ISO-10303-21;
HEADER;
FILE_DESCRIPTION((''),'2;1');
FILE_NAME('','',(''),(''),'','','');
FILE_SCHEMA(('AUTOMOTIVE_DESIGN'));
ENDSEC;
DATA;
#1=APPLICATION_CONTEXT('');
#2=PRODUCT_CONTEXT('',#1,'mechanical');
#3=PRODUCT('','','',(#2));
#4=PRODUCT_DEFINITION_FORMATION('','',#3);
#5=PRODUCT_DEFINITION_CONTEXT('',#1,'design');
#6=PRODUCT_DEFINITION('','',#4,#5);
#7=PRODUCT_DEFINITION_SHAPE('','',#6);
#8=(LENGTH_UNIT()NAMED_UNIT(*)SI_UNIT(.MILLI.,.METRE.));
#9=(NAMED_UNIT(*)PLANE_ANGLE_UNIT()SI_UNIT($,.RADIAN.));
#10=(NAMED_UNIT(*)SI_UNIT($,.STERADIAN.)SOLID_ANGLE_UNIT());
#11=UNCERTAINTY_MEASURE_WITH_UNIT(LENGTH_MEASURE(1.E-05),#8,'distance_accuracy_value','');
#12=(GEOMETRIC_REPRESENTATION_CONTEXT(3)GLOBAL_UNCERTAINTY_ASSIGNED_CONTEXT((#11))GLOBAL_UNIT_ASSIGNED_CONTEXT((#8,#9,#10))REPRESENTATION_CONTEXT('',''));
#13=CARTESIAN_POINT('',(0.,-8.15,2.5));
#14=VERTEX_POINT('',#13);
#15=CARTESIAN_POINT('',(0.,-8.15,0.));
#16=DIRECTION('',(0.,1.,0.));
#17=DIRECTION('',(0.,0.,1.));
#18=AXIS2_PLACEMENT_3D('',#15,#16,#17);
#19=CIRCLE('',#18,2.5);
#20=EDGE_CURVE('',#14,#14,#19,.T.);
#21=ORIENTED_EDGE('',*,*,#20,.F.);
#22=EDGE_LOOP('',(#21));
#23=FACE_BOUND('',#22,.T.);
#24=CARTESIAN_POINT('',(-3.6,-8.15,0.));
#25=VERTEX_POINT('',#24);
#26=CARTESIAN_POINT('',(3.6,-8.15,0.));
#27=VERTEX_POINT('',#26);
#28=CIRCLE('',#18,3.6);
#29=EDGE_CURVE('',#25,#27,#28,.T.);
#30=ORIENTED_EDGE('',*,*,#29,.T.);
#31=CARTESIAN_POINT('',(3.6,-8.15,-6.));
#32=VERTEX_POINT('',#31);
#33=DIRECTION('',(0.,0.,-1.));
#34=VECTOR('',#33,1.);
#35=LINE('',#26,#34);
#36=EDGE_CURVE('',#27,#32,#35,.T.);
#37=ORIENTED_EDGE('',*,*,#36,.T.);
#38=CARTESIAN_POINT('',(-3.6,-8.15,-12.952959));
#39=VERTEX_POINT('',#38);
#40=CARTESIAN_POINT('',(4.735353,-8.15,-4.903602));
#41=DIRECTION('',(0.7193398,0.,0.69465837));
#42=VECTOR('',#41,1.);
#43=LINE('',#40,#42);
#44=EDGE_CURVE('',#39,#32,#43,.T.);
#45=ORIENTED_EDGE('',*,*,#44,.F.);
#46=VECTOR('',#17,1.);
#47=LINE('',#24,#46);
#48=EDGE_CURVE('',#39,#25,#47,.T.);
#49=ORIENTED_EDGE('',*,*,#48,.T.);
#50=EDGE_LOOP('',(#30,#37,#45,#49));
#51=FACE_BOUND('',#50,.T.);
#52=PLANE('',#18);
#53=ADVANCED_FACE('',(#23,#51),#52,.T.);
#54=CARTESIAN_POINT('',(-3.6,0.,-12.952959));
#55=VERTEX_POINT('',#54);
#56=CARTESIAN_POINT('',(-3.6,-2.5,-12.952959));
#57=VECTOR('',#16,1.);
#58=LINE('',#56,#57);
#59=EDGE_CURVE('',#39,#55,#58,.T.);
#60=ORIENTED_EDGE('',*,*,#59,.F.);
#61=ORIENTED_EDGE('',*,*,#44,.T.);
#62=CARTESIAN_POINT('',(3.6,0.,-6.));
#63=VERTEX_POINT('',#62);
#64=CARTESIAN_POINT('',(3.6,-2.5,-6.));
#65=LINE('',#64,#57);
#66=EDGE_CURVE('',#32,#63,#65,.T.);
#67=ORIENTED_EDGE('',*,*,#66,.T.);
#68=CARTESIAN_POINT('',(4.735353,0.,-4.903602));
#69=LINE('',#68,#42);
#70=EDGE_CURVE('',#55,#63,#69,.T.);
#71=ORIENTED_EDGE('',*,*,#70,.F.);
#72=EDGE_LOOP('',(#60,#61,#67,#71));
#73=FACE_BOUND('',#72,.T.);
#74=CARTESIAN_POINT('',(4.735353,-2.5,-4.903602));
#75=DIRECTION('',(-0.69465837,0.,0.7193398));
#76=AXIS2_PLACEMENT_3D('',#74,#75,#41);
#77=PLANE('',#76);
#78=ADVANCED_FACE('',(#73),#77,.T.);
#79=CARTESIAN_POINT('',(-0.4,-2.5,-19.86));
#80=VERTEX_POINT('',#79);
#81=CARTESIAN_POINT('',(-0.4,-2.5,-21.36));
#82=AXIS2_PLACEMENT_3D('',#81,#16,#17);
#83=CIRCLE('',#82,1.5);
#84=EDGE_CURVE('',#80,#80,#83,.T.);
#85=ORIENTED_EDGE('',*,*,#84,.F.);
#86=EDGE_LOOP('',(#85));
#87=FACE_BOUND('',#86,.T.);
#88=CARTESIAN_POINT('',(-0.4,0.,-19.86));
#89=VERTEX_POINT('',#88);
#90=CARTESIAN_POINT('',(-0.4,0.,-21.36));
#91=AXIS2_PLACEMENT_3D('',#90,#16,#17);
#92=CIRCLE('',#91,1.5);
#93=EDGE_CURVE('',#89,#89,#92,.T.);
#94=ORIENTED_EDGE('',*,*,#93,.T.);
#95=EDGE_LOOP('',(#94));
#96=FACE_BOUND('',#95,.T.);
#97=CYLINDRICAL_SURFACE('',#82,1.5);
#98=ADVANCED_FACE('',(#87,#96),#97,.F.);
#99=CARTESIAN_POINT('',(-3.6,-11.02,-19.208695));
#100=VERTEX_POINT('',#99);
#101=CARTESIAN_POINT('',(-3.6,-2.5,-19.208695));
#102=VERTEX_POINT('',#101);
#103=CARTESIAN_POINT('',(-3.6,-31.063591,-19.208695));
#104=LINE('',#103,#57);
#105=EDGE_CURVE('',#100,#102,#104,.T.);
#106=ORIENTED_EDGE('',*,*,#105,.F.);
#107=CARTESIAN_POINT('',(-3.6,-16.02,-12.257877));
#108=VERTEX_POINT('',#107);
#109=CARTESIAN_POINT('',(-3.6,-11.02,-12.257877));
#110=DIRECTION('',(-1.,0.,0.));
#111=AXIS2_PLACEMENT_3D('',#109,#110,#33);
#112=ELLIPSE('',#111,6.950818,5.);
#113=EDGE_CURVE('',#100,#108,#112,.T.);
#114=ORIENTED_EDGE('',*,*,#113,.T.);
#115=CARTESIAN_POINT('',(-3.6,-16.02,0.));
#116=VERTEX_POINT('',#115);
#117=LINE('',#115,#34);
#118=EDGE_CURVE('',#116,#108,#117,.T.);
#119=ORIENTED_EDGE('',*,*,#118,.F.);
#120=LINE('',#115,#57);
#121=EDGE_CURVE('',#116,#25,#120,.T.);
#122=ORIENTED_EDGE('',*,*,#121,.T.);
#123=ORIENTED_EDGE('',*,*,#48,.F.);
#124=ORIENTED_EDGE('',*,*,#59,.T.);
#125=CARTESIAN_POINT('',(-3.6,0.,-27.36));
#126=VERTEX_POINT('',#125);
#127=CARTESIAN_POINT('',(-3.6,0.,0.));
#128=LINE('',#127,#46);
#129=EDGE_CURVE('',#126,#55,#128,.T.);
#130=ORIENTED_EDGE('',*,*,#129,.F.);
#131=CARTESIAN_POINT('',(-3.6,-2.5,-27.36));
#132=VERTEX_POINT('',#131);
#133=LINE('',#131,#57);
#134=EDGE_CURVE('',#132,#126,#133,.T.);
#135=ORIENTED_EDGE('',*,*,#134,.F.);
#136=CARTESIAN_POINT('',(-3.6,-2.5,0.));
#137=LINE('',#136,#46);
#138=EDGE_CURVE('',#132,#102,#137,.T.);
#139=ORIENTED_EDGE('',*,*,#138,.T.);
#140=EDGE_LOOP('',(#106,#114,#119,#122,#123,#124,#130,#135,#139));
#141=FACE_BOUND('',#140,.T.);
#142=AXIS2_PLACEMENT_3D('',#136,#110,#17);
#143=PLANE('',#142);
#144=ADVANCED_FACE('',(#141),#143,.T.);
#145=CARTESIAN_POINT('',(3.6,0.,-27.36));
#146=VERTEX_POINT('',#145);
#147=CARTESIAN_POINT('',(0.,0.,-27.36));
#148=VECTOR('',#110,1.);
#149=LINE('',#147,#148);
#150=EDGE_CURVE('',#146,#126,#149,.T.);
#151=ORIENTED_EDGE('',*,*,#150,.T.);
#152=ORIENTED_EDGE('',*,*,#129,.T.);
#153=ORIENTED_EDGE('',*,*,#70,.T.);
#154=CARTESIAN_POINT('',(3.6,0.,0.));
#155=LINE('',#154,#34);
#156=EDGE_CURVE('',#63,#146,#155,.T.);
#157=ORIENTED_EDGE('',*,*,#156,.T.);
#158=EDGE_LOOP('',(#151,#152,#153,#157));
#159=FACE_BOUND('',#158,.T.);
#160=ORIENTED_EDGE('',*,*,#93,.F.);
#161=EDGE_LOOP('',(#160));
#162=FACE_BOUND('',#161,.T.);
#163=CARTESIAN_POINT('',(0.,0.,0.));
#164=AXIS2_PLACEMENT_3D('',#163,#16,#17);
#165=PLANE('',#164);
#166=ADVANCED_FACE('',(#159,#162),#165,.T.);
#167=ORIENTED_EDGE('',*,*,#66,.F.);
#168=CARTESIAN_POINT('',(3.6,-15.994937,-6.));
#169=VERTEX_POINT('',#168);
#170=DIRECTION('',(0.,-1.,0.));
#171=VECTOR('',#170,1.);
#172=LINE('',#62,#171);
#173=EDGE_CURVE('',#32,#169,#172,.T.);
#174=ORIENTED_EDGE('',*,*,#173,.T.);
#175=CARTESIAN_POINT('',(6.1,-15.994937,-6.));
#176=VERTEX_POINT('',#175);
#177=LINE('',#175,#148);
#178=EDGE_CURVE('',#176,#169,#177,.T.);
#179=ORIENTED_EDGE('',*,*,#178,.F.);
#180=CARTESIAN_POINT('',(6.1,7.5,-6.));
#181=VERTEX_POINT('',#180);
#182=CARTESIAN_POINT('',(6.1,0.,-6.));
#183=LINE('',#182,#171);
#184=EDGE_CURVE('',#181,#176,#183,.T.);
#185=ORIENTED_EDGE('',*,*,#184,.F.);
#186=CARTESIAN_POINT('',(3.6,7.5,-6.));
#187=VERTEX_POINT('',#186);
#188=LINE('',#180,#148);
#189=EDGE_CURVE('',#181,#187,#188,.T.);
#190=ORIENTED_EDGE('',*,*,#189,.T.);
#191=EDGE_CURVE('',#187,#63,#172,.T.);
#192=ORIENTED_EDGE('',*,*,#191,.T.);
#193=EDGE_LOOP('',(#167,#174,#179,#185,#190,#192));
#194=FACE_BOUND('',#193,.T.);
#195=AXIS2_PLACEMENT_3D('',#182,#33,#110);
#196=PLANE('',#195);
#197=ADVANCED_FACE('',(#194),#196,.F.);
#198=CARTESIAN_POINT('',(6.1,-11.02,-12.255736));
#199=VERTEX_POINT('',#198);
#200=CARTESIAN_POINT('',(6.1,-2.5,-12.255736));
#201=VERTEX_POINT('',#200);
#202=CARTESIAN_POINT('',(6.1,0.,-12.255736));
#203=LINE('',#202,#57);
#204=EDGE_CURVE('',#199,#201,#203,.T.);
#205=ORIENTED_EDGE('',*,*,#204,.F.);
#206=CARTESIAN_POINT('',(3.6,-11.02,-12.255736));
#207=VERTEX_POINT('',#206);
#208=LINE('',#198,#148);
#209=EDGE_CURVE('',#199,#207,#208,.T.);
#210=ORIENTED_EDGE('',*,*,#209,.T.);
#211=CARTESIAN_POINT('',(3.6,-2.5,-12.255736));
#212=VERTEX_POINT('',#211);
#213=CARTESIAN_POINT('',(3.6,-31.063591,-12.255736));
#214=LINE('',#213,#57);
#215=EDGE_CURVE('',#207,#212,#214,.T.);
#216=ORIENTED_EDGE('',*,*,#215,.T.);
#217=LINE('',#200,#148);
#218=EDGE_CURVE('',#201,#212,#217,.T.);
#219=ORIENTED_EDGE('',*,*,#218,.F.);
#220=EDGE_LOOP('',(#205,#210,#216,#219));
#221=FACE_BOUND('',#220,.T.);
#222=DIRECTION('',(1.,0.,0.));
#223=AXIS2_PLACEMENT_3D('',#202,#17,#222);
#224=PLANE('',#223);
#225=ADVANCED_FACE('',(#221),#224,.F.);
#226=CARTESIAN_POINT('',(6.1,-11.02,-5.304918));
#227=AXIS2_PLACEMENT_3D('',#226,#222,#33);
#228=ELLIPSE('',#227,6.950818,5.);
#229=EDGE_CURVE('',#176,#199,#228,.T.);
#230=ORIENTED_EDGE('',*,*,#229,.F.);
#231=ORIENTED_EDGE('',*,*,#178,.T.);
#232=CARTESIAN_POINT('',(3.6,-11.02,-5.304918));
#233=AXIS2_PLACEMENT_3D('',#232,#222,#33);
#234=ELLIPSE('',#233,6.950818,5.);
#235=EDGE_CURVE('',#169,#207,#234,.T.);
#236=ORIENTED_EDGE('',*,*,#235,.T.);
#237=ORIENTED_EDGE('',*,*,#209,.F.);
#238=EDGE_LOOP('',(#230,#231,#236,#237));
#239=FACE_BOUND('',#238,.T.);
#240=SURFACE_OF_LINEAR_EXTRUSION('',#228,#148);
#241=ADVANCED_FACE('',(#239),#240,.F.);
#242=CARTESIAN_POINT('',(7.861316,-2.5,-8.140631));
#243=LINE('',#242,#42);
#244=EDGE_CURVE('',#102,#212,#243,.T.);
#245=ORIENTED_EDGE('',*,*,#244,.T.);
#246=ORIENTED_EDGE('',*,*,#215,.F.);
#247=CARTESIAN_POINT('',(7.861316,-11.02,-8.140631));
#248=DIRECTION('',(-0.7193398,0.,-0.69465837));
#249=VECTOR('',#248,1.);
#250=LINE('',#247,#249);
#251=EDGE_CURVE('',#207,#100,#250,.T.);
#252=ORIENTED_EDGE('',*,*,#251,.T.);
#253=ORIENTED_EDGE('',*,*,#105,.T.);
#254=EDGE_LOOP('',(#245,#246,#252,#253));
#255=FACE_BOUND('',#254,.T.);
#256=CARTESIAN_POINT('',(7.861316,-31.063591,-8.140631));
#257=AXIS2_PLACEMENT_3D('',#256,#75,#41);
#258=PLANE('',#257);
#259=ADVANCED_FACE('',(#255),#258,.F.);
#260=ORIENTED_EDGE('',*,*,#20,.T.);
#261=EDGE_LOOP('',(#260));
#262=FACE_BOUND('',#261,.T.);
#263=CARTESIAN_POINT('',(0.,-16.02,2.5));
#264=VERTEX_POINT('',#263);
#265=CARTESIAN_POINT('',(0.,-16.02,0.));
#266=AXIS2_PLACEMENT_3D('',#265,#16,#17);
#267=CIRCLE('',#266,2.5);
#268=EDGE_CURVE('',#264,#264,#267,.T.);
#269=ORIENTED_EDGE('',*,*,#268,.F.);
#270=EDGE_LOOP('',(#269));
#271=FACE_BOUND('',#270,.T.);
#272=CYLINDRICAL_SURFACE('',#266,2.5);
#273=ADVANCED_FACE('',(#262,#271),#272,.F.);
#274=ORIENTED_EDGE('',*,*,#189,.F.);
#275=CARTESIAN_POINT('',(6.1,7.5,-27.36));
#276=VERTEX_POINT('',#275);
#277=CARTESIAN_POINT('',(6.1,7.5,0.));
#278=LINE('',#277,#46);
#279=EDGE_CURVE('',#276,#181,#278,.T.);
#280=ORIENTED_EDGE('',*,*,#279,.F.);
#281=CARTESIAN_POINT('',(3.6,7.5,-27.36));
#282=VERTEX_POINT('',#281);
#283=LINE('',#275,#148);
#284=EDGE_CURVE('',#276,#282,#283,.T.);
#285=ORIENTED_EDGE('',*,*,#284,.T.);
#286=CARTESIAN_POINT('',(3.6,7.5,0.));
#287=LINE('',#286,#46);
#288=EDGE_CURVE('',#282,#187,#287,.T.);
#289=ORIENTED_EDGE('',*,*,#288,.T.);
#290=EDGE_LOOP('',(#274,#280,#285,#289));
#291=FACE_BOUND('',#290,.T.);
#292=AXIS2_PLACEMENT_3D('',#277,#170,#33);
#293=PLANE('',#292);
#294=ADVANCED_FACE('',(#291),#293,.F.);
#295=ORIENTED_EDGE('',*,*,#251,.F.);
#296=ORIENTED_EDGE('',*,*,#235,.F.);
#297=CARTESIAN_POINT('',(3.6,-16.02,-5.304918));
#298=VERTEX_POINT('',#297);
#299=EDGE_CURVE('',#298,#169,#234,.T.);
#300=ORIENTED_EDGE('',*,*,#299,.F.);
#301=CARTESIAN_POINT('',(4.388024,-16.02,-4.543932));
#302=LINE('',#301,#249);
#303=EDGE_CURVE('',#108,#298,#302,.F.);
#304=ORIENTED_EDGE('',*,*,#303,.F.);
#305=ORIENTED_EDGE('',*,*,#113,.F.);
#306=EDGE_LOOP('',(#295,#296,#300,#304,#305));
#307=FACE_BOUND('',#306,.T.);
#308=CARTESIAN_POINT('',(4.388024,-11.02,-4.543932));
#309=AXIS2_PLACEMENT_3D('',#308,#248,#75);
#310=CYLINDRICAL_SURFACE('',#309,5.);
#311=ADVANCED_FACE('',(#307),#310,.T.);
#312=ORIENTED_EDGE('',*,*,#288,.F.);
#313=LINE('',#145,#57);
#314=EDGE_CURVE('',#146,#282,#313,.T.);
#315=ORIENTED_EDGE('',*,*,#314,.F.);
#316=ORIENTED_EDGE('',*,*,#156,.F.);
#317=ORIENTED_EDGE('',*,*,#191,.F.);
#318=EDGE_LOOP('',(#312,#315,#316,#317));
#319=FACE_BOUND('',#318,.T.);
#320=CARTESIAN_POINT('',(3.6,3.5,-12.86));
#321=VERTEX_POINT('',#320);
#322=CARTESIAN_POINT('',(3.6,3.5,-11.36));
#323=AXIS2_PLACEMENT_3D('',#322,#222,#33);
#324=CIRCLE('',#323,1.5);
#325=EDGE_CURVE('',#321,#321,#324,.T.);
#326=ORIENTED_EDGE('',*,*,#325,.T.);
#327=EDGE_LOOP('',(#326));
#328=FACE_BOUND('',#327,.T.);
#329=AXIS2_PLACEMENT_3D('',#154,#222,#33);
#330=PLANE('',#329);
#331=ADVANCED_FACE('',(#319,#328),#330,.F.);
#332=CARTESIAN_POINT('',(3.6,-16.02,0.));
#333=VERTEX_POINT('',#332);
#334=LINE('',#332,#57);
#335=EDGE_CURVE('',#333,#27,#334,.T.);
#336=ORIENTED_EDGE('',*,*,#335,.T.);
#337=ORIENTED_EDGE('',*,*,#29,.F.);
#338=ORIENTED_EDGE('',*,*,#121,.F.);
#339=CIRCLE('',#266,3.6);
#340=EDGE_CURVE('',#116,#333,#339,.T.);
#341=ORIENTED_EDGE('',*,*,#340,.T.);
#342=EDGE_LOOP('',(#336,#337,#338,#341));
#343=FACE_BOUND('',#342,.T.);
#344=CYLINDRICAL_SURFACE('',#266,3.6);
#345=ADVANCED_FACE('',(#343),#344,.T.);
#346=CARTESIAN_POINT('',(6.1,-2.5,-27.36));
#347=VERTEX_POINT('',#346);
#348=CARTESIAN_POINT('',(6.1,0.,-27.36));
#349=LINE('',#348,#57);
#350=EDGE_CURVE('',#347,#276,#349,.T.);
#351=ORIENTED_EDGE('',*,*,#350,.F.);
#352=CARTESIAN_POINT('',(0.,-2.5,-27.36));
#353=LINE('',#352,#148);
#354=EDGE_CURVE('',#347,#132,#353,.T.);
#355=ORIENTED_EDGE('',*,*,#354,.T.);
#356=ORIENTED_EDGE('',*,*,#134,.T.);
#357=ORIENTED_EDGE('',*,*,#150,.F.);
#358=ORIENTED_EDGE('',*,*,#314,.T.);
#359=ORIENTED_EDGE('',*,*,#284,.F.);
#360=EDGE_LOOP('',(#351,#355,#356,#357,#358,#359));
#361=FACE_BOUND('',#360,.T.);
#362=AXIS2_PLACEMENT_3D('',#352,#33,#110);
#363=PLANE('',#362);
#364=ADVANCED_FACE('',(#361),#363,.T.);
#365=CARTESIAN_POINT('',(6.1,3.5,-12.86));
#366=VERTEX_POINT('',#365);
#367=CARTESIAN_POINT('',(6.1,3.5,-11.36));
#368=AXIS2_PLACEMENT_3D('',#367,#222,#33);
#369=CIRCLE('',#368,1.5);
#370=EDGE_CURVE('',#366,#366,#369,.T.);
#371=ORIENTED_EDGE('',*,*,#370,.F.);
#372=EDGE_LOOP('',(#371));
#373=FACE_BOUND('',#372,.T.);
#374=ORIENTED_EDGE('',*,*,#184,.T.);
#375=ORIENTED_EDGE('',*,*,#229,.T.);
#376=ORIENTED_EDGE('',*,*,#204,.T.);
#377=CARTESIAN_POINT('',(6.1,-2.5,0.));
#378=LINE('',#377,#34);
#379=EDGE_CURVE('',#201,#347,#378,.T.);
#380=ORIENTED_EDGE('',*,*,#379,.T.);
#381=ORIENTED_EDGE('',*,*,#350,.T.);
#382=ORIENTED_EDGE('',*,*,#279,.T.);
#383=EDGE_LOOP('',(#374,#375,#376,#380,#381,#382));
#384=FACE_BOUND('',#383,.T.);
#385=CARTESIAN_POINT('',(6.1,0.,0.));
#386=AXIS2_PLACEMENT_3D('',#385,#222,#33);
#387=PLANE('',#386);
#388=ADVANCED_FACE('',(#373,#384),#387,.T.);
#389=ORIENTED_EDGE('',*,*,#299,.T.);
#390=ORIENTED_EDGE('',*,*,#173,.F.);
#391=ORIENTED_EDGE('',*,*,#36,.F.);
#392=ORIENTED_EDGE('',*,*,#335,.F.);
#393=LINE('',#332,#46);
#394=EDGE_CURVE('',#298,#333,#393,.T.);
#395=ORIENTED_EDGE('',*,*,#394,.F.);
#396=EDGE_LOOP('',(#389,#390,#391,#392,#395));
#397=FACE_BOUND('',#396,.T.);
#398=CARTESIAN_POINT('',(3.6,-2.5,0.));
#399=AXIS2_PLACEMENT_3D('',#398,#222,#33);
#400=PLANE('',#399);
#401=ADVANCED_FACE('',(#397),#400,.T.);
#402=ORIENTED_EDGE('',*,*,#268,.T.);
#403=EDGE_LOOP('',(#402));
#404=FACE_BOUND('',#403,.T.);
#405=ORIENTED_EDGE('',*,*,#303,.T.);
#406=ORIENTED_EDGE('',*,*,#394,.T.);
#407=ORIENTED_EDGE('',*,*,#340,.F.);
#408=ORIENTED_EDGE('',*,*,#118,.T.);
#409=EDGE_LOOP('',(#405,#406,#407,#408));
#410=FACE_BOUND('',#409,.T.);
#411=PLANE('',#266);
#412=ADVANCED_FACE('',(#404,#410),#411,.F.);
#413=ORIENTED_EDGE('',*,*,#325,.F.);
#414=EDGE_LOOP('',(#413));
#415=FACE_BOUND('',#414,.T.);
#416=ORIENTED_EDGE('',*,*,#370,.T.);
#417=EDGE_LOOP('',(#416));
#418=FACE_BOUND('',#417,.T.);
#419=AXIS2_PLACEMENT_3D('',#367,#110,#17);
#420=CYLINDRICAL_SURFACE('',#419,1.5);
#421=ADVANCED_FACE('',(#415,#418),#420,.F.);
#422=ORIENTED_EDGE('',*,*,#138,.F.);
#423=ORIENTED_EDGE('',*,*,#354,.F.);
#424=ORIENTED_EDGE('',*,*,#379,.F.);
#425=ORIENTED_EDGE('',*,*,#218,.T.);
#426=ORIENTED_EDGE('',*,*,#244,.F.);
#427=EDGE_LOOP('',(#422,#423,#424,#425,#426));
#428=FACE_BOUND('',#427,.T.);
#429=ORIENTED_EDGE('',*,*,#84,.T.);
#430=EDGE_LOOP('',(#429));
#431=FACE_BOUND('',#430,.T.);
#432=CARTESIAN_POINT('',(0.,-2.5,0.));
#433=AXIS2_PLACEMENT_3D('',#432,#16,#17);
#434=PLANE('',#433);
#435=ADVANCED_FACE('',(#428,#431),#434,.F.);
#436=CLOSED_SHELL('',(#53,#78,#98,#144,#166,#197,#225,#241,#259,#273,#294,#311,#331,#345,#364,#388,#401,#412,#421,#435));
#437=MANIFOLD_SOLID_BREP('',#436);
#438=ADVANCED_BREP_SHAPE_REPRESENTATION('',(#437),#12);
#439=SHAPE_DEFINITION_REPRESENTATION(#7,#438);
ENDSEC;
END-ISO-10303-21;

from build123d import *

# Parameters (mm, degrees)
CROQUIS1_R              = 1.5
SALIENTE_EXTRUIR1_DEPTH = 2.5
SALIENTE_EXTRUIR2_START = -8.15
CROQUIS1_4_R            = 2.5
SALIENTE_EXTRUIR2_DEPTH = 7.87
SALIENTE_EXTRUIR3_DEPTH = 16.02
REDONDEO1_R             = 5
CROQUIS3_W              = 21.36
CROQUIS3_H              = 7.5
CROQUIS3_R              = 1.5
SALIENTE_EXTRUIR4_DEPTH = 2.5


with BuildPart() as part:
    # Croquis1 → Saliente-Extruir1 (new body)
    # profile 1 of 2: a face of its own
    with BuildSketch(Plane(origin=(0, 0, 0), x_dir=(1, 0, 0), z_dir=(0, 1, 0))):
        Polygon((3.6, 27.36), (-3.6, 27.36), (-3.6, 19.208695338), (3.6, 12.25573616), align=None)
        with Locations(Location((-0.4, 21.36, 0), (0, 0, 270))):
            Circle(CROQUIS1_R, mode=Mode.SUBTRACT)
    # profile 2 of 2: a face of its own
    with BuildSketch(Plane(origin=(0, 0, 0), x_dir=(1, 0, 0), z_dir=(0, 1, 0))):
        Polygon((3.6, 12.25573616), (-3.6, 19.208695338), (-3.6, 12.952959179), (3.6, 6), align=None)
    extrude(amount=-SALIENTE_EXTRUIR1_DEPTH)



with BuildPart() as body_2:
    # Croquis1<4> → Saliente-Extruir2 (new body)
    with BuildSketch(Plane(origin=(0, 0, 0), x_dir=(1, 0, 0), z_dir=(0, 1, 0)).offset(SALIENTE_EXTRUIR2_START)):
        with BuildLine():
            Line((3.6, 6), (-3.6, 12.952959179))
            Line((-3.6, 12.952959179), (-3.6, 0))
            ThreePointArc((-3.6, 0), (0, -3.6), (3.6, 0))
            Line((3.6, 0), (3.6, 6))
        make_face()
        with Locations(Location((0, 0, 0), (0, 0, 270))):
            Circle(CROQUIS1_4_R, mode=Mode.SUBTRACT)
    extrude(amount=-SALIENTE_EXTRUIR2_DEPTH)


with BuildPart() as part_1:
    add(part.part)

    add(body_2.part)  # Saliente-Extruir3 merges body 2
    # Croquis1<5> → Saliente-Extruir3 (add)
    with BuildSketch(Plane(origin=(0, 0, 0), x_dir=(1, 0, 0), z_dir=(0, 1, 0))):
        Polygon((3.6, 12.25573616), (-3.6, 19.208695338), (-3.6, 12.952959179), (3.6, 6), align=None)
    extrude(amount=-SALIENTE_EXTRUIR3_DEPTH)

    # Redondeo1
    redondeo1_edges = [part_1.edges().sort_by_distance(p)[0] for p in [
        (0, -16.02, -15.732215749),
    ]]
    fillet(redondeo1_edges, radius=REDONDEO1_R)

    # Croquis3 → Saliente-Extruir4 (add)
    # profile 1 of 2: a face of its own
    with BuildSketch(Plane(origin=(3.6, 0, 0), x_dir=(0, 0, -1), z_dir=(1, 0, 0))):
        with BuildLine():
            Line((6, 0), (6, -8.15))
            Line((6, -8.15), (6, -15.994937186))
            add(Edge.make_bspline(
                [(6, -15.994937186), (12.25573616, -15.542670169), (12.25573616, -11.02)],
                knots=[4.821475205, 4.821475205, 4.821475205, 6.283185307, 6.283185307, 6.283185307], degree=2, weights=[0.962144349, 0.727447175, 1]))
            Line((12.25573616, -11.02), (12.25573616, -2.5))
            Line((12.25573616, -2.5), (27.36, -2.5))
            Line((27.36, -2.5), (27.36, 0))
            Line((27.36, 0), (6, 0))
        make_face()
    # profile 2 of 2: a face of its own
    with BuildSketch(Plane(origin=(3.6, 0, 0), x_dir=(0, 0, -1), z_dir=(1, 0, 0))):
        with Locations((16.68, 3.75)):
            Rectangle(CROQUIS3_W, CROQUIS3_H)
        with Locations((11.36, 3.5)):
            Circle(CROQUIS3_R, mode=Mode.SUBTRACT)
    extrude(amount=SALIENTE_EXTRUIR4_DEPTH)


solid = part_1.part
